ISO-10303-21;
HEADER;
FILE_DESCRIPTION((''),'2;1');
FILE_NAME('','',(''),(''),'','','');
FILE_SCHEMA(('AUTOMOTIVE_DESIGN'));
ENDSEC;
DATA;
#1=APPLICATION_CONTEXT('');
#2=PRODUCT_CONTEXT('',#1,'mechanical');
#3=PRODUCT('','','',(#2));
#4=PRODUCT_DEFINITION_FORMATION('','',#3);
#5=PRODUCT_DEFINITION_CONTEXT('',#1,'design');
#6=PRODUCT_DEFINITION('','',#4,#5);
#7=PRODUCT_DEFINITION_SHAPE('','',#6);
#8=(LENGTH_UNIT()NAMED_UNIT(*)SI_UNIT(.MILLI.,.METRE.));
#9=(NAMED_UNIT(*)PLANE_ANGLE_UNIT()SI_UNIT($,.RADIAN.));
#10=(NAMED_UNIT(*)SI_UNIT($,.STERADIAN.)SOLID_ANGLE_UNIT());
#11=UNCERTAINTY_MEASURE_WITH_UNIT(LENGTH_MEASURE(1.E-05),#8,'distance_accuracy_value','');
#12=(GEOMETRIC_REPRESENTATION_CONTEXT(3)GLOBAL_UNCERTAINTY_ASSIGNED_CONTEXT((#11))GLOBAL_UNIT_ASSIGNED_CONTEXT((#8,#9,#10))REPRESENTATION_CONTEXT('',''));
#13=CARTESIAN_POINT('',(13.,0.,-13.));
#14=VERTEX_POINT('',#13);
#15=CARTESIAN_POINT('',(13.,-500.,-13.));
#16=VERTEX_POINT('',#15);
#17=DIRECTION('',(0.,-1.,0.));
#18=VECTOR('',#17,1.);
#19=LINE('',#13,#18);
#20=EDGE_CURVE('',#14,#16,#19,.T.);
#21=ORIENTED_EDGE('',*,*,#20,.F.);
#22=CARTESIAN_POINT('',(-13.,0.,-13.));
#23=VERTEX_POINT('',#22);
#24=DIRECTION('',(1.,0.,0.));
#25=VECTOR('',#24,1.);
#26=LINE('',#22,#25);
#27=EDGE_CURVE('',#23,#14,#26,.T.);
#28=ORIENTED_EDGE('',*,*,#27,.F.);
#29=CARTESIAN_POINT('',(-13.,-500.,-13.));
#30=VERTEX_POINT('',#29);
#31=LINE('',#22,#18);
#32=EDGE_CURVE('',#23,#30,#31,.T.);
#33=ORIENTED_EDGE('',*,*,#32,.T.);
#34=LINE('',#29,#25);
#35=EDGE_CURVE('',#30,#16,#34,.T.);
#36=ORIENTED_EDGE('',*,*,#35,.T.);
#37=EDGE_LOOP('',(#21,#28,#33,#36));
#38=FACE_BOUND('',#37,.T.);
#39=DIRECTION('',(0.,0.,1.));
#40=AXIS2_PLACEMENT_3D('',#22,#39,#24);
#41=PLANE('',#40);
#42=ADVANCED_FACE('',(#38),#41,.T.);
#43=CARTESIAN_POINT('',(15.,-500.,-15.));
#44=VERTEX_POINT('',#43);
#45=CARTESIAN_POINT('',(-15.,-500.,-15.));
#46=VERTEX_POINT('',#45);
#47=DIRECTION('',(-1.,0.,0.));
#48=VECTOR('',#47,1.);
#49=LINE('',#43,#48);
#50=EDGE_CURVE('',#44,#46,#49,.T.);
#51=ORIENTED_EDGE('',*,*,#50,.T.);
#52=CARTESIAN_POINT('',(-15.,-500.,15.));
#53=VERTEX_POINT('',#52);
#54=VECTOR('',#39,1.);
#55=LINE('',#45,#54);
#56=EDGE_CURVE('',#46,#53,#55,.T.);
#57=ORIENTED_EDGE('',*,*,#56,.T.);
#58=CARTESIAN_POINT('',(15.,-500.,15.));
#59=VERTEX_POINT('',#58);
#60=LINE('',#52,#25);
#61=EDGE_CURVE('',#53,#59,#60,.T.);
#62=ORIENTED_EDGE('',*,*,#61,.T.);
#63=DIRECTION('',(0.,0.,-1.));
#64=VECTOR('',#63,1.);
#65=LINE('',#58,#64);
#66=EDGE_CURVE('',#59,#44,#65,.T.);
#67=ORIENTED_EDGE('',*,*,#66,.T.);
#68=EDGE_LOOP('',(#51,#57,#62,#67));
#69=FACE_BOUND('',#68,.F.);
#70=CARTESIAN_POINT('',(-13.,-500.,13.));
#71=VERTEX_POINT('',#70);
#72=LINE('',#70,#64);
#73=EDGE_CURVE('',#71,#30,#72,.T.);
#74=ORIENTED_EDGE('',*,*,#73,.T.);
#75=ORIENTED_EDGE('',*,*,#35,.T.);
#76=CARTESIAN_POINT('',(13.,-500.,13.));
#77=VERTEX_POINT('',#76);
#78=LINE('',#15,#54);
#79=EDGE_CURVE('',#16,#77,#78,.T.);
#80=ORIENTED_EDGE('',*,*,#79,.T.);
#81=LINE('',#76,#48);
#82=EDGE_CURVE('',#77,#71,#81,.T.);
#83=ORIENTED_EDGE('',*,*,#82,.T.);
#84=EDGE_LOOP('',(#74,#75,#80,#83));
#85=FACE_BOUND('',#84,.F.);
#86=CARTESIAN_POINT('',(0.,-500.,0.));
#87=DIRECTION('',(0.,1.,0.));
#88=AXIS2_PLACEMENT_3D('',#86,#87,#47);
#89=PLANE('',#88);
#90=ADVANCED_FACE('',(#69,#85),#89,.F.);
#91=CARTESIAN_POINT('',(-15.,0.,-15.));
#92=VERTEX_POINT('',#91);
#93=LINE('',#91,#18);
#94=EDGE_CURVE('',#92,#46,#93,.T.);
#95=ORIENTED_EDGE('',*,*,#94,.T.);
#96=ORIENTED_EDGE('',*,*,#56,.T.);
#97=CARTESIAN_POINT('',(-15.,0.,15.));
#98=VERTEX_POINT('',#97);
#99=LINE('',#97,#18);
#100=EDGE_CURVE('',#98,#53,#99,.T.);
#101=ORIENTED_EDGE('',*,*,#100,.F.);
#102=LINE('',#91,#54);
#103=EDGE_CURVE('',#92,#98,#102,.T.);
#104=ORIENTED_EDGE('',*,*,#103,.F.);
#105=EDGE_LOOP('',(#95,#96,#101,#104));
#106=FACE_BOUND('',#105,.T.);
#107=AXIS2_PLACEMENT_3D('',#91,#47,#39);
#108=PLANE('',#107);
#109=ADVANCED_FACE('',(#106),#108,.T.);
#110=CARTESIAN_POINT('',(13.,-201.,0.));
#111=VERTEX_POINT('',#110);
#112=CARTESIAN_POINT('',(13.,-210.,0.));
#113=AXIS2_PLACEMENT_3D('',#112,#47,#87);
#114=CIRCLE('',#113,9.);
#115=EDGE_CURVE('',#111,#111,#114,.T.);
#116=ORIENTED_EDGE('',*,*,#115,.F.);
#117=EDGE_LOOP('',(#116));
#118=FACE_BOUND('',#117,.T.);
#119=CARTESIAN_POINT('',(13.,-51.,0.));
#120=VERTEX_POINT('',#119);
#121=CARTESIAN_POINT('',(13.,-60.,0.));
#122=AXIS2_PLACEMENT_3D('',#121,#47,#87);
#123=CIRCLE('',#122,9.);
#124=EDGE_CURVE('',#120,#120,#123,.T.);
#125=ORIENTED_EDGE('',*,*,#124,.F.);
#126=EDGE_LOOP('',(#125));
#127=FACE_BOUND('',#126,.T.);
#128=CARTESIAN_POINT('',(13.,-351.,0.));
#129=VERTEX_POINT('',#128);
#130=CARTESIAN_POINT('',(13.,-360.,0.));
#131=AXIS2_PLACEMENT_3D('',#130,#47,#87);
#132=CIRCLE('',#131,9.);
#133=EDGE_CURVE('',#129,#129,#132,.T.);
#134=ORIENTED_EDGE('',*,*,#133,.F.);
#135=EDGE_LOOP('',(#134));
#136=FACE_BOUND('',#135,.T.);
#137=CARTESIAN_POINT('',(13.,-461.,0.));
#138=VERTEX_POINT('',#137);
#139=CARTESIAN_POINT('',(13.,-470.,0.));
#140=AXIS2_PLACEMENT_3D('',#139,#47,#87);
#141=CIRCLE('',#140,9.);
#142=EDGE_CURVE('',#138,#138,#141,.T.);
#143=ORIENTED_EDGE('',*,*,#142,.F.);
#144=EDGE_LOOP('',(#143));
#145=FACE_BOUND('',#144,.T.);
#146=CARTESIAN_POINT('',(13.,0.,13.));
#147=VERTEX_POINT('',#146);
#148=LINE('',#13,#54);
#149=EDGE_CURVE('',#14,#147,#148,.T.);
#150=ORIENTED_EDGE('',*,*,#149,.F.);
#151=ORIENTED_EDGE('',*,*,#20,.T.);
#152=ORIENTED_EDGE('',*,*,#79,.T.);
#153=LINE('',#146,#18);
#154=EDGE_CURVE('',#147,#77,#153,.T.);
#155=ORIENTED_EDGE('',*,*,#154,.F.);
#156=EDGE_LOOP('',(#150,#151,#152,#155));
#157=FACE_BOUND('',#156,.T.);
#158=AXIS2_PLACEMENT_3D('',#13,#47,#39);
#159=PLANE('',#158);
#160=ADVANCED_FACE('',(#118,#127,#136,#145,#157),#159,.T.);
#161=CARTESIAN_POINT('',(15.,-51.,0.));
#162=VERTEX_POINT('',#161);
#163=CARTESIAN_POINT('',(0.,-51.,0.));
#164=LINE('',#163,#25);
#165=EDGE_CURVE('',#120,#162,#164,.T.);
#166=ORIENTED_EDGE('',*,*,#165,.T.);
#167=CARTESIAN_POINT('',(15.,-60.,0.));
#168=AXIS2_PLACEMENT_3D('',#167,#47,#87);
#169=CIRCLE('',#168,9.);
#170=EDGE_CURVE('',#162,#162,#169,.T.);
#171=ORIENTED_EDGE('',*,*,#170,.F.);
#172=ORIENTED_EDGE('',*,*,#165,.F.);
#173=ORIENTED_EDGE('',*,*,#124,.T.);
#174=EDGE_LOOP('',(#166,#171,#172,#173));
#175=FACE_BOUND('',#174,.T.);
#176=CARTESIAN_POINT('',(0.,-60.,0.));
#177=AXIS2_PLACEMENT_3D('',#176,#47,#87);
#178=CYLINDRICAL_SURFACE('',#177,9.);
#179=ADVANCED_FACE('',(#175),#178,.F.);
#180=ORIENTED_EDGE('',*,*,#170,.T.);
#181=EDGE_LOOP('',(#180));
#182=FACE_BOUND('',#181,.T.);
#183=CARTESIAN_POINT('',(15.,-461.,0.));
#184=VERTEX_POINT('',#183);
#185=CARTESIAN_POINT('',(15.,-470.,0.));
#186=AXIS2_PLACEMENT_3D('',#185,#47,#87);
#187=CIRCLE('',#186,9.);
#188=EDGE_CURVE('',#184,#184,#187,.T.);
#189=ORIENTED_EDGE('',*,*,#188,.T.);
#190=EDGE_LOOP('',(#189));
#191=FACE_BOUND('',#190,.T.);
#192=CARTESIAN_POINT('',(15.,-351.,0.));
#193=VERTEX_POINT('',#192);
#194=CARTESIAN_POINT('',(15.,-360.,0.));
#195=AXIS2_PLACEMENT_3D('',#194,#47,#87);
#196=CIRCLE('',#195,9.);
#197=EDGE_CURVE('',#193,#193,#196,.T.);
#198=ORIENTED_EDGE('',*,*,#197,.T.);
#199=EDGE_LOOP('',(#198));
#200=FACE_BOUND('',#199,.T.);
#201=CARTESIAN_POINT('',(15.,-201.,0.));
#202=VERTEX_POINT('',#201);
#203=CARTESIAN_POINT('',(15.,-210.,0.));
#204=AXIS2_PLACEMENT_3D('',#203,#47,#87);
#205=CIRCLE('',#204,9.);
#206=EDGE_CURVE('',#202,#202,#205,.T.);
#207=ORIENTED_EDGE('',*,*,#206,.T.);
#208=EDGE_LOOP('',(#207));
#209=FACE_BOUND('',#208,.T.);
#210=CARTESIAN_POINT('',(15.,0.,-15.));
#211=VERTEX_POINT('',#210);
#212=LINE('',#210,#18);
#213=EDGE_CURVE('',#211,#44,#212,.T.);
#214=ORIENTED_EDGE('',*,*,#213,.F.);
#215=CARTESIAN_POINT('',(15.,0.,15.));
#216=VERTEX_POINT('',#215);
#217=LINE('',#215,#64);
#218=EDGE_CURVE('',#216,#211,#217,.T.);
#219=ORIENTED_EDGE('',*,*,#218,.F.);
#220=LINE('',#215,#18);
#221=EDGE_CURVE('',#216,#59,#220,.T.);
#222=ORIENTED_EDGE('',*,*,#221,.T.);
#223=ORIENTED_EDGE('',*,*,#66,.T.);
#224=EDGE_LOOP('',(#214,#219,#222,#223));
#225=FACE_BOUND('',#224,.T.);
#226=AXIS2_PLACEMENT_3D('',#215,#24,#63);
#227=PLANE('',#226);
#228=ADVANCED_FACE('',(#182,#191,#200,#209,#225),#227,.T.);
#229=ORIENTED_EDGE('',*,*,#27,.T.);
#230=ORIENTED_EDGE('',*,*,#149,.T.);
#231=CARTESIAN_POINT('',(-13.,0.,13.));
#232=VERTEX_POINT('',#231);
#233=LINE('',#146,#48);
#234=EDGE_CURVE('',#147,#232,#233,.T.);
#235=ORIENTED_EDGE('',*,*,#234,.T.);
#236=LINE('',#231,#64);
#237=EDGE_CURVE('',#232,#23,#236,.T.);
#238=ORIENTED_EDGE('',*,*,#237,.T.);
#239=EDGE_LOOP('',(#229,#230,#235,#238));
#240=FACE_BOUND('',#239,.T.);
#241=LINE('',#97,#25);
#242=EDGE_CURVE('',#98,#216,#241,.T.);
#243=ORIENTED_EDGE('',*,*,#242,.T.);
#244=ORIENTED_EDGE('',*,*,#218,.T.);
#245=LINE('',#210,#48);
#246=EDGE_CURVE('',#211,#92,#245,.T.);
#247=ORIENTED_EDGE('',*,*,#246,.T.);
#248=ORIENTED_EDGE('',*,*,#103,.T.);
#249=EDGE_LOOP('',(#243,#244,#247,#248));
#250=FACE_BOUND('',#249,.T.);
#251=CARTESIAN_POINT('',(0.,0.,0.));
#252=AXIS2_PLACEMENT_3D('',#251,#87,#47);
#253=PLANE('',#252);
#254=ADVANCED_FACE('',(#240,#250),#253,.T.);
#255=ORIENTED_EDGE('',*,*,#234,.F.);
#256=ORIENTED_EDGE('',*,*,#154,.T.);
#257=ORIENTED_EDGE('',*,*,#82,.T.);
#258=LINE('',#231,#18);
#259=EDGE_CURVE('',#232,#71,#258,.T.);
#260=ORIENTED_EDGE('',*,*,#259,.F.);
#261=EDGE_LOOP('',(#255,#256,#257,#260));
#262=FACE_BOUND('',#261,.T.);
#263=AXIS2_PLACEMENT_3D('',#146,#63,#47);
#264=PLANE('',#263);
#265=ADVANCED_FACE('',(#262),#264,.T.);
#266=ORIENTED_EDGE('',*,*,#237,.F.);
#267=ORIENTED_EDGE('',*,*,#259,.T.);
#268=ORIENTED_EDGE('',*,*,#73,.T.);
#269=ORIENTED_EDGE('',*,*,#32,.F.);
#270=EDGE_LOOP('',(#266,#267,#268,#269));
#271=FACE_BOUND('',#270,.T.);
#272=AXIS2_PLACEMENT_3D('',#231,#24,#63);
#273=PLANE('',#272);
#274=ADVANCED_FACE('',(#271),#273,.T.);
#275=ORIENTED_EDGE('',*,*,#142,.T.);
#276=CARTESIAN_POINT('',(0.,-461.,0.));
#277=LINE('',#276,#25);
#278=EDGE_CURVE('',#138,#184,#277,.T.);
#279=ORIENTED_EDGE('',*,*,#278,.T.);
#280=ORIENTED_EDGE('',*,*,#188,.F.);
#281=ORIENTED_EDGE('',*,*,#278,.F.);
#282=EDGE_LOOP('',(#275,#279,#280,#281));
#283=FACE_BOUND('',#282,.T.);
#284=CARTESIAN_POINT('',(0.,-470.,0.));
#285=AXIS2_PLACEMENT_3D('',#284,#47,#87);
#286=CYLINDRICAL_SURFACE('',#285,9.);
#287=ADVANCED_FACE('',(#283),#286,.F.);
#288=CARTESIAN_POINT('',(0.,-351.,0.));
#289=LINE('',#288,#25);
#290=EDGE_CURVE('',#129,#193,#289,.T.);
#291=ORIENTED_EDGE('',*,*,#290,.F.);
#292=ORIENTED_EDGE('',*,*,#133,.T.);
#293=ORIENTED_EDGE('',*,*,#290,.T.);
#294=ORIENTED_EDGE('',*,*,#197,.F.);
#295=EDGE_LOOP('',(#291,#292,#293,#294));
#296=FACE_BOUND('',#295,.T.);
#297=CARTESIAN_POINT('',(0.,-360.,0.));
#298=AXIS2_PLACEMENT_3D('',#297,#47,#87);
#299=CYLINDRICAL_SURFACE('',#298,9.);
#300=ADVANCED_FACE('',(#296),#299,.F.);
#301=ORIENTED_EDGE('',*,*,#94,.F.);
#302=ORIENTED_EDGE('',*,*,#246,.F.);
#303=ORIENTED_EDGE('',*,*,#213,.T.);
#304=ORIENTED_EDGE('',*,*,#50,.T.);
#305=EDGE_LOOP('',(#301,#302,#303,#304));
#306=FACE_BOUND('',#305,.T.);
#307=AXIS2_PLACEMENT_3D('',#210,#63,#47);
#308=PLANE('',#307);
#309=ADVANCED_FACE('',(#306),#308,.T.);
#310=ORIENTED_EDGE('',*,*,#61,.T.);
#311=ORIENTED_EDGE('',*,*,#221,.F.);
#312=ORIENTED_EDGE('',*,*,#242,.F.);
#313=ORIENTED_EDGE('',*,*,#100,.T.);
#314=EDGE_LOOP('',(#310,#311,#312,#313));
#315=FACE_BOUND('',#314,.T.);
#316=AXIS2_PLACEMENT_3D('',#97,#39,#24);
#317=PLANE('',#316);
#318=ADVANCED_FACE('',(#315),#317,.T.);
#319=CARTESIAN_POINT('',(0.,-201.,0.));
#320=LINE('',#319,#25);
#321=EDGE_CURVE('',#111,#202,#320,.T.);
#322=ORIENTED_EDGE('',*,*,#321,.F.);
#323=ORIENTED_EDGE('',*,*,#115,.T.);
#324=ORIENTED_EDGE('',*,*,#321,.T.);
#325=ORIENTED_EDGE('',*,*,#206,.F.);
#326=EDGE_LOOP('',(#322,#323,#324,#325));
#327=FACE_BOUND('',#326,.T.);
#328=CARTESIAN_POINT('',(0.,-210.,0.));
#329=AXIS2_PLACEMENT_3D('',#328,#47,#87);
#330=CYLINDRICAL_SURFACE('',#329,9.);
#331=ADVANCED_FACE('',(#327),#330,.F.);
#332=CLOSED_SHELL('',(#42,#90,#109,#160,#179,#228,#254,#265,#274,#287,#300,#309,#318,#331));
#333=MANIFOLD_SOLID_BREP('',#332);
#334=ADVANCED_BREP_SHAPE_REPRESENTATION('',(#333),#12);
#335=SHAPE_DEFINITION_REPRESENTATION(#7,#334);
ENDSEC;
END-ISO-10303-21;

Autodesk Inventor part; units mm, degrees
ref_plane "YZ Plane" through (0, 0, 0) normal (1, 0, 0) x (0, 1, 0)
ref_plane "XZ Plane" through (0, 0, 0) normal (0, 1, 0) x (-1, 0, 0)
ref_plane "XY Plane" through (0, 0, 0) normal (0, 0, 1) x (1, 0, 0)
sketch "Sketch9" plane through (0, 0, 0) normal (0, 1, 0) x (-1, 0, 0)
  line L0 (15, 15) -> (-15, 15)
  line L1 (-15, 15) -> (-15, -15)
  line L2 (-15, -15) -> (15, -15)
  line L3 (15, -15) -> (15, 15)
  line L4 (15, 15) -> (-15, -15) construction
  line L5 (-15, 15) -> (15, -15) construction
  line L6 (-13, 13) -> (13, 13)
  line L7 (13, 13) -> (13, -13)
  line L8 (13, -13) -> (-13, -13)
  line L9 (-13, -13) -> (-13, 13)
  point P0 (0, 0)
  dimension "d172" = 30
  dimension "d173" = 30
  dimension "d174" = 2
extrude "Extrusion3" add sketch "Sketch9" against normal blind 500
sketch "Sketch10" plane through (0, 0, 0) normal (1, 0, 0) x (0, 1, 0)
  line L0 (0, 15) -> (0, -15) construction
  line L1 (0, 15) -> (-500, 15) construction
  line L2 (-500, -15) -> (-500, 15) construction
  line L3 (0, -15) -> (-500, -15) construction
  line L4 (-69, 9) -> (-51, 9)
  line L5 (-51, 9) -> (-51, -9)
  line L6 (-51, -9) -> (-69, -9)
  line L7 (-69, -9) -> (-69, 9)
  line L8 (-69, 9) -> (-51, -9) construction
  line L9 (-51, 9) -> (-69, -9) construction
  line L10 (-219, 9) -> (-201, 9)
  line L11 (-201, 9) -> (-201, -9)
  line L12 (-201, -9) -> (-219, -9)
  line L13 (-219, -9) -> (-219, 9)
  line L14 (-219, 9) -> (-201, -9) construction
  line L15 (-201, 9) -> (-219, -9) construction
  line L16 (-369, 9) -> (-351, 9)
  line L17 (-351, 9) -> (-351, -9)
  line L18 (-351, -9) -> (-369, -9)
  line L19 (-369, -9) -> (-369, 9)
  line L20 (-369, 9) -> (-351, -9) construction
  line L21 (-351, 9) -> (-369, -9) construction
  circle A0 centre (-470, 0) radius 9
  line L22 (0, 0) -> (30, 0)
  circle A1 centre (-60, 0) radius 9
  circle A2 centre (-210, 0) radius 9
  circle A3 centre (-360, 0) radius 9
  dimension "d177" = 18
  dimension "d178" = 18
  dimension "d181" = 30
  dimension "d182" = 90
  dimension "d183" = 240
  dimension "d184" = 390
  dimension "d185" = 500
  dimension "d186" = 18
extrude "Extrusion4" cut sketch "Sketch10" along normal through all contours A1 | A2 | A3 | A0
properties part number "PNS 754 FDS 1200 way tube 1" material "Stainless Steel"
